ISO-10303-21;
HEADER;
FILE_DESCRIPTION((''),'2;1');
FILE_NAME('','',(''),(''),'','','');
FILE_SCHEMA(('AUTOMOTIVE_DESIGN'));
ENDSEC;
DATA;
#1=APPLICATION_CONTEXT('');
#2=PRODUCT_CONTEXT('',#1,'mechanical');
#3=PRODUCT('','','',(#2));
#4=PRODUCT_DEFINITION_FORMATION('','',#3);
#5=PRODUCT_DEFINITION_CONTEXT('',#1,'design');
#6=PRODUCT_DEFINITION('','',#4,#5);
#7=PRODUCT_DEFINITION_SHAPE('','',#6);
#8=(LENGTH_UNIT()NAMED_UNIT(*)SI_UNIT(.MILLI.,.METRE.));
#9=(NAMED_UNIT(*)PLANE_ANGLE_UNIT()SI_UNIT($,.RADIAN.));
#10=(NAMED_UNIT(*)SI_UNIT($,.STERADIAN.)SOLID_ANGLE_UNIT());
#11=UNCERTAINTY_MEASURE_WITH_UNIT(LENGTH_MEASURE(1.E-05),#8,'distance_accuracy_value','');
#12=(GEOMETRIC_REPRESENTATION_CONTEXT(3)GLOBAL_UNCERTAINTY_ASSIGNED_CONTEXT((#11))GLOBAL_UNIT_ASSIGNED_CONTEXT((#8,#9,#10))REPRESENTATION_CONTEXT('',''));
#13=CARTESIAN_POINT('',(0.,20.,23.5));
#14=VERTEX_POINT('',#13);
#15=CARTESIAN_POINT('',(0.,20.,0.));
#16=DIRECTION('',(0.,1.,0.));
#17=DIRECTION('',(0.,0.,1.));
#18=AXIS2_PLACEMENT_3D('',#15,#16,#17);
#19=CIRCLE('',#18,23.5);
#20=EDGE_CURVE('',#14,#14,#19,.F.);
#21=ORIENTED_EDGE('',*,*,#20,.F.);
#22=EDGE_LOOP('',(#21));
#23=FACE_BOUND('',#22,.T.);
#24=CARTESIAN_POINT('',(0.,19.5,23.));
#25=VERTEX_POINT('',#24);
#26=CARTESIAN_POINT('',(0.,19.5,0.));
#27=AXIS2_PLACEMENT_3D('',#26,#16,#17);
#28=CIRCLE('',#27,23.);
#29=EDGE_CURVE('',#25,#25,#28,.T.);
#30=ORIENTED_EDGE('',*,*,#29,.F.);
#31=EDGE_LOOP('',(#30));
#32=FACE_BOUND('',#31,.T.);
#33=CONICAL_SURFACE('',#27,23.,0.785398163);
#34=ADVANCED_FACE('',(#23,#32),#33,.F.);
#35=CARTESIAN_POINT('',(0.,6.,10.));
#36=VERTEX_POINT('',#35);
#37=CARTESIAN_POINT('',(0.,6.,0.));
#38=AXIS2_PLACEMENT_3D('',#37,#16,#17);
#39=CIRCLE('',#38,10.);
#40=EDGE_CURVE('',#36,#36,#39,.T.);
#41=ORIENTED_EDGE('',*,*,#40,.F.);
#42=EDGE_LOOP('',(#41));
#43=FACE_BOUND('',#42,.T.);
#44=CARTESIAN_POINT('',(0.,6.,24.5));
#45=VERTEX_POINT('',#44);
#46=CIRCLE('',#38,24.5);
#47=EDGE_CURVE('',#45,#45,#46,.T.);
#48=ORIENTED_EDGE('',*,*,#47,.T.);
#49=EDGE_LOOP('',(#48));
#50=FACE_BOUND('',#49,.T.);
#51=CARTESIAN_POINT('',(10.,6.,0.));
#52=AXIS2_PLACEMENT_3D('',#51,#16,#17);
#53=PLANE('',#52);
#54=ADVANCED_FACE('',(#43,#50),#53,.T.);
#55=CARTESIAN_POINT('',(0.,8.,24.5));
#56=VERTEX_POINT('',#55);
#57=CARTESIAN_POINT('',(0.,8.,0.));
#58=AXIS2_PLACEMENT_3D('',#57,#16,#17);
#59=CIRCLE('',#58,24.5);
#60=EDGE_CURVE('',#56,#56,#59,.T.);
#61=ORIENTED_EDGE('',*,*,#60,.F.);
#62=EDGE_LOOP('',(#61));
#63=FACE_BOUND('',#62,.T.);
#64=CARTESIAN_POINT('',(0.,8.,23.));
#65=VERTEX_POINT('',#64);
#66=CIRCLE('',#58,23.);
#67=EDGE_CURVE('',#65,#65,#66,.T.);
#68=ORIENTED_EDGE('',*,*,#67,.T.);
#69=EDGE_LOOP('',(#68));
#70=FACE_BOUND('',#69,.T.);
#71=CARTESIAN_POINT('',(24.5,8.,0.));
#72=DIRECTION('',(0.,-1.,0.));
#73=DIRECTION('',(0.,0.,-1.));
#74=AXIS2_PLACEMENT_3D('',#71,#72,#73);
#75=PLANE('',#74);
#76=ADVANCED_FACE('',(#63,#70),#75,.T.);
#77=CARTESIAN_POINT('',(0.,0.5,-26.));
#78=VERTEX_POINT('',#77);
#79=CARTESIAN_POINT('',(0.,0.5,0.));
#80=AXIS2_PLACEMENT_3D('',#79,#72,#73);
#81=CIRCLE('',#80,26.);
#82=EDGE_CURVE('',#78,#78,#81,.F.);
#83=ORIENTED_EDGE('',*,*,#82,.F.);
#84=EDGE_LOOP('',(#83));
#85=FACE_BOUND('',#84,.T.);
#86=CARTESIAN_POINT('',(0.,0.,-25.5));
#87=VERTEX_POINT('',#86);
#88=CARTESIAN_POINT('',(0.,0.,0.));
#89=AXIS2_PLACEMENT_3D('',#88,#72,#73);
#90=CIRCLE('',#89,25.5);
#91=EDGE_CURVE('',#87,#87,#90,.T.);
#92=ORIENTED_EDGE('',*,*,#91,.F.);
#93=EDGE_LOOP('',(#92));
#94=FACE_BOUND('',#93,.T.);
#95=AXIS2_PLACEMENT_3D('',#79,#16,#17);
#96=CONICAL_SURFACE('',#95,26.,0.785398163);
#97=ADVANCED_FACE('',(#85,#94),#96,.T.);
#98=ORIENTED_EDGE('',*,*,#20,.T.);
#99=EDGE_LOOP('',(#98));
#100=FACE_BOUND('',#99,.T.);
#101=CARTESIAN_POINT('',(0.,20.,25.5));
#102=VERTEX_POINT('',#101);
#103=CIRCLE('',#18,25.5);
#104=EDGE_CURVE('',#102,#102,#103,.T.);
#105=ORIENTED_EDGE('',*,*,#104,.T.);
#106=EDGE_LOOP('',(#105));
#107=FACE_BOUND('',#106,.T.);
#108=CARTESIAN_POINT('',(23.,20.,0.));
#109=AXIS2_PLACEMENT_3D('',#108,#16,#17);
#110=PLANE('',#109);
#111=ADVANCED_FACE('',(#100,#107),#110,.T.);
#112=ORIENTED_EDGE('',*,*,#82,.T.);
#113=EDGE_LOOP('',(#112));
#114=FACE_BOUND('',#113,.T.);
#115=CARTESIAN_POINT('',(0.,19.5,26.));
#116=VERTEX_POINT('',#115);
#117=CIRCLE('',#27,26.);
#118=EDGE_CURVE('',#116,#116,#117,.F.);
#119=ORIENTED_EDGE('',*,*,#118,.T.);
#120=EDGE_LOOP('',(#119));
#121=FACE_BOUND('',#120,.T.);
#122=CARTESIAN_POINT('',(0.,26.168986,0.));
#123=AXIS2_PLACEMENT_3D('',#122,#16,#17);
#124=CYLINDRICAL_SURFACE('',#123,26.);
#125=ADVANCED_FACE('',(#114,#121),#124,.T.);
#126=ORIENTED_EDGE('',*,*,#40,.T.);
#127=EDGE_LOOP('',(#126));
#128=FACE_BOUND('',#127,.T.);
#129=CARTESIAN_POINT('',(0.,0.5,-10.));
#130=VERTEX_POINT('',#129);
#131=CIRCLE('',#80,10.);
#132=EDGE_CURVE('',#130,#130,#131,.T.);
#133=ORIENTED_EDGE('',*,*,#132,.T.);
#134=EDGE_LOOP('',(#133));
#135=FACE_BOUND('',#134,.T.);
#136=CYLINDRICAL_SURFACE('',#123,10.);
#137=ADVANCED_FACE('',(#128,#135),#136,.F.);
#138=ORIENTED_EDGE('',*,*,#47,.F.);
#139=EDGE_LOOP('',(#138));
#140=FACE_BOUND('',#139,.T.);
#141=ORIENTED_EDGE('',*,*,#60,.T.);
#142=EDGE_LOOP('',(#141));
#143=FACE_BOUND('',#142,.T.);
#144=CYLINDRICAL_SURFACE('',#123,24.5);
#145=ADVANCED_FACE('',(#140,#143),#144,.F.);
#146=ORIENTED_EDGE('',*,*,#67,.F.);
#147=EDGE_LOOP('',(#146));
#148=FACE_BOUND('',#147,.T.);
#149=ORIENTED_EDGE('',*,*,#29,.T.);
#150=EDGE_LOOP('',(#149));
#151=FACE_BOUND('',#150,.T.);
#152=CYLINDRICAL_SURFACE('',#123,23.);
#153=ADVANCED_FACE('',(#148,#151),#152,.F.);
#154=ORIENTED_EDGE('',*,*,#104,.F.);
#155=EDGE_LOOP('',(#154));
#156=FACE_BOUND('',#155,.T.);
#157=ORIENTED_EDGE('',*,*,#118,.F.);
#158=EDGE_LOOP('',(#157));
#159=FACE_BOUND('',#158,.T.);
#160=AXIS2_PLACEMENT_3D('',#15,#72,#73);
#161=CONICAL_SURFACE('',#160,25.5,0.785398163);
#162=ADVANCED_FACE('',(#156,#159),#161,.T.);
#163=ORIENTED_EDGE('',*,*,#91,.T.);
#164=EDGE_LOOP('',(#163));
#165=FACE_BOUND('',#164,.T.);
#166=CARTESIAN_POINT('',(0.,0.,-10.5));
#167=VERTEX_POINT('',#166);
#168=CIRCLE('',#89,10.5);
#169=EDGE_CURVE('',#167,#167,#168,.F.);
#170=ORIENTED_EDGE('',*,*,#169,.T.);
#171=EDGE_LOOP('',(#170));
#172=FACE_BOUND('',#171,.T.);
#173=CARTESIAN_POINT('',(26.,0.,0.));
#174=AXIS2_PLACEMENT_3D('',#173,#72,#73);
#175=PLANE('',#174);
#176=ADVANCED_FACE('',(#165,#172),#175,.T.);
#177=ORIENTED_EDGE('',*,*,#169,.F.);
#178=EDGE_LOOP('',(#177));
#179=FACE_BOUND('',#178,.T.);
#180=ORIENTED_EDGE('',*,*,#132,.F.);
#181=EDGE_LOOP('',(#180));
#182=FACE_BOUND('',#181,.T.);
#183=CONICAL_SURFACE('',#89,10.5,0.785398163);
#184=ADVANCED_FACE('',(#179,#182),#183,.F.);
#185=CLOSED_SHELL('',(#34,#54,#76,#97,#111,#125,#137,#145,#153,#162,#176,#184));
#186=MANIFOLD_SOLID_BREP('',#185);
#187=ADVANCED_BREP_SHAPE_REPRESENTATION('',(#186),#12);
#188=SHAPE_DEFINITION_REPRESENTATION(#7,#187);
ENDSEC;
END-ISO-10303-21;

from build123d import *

# Parameters (mm, degrees)
CHAMFER_1_SIZE = 0.5


with BuildPart() as part:
    # Эскиз1 → Повернуть1 (revolve)
    with BuildSketch(Plane.XY):
        Polygon((-26, 20), (-26, 0), (-10, 0), (-10, 6), (-24.5, 6), (-24.5, 8), (-23, 8), (-23, 20), align=None)
    revolve(axis=Axis((0, 26.168985987, 0), (0, -1, 0)))

    # Фаска1
    chamfer_1_edges = [part.edges().sort_by_distance(p)[0] for p in [
        (10, 0, 0),
        (26, 0, 0),
        (26, 20, 0),
        (23, 20, 0),
    ]]
    chamfer(chamfer_1_edges, length=CHAMFER_1_SIZE)


solid = part.part
